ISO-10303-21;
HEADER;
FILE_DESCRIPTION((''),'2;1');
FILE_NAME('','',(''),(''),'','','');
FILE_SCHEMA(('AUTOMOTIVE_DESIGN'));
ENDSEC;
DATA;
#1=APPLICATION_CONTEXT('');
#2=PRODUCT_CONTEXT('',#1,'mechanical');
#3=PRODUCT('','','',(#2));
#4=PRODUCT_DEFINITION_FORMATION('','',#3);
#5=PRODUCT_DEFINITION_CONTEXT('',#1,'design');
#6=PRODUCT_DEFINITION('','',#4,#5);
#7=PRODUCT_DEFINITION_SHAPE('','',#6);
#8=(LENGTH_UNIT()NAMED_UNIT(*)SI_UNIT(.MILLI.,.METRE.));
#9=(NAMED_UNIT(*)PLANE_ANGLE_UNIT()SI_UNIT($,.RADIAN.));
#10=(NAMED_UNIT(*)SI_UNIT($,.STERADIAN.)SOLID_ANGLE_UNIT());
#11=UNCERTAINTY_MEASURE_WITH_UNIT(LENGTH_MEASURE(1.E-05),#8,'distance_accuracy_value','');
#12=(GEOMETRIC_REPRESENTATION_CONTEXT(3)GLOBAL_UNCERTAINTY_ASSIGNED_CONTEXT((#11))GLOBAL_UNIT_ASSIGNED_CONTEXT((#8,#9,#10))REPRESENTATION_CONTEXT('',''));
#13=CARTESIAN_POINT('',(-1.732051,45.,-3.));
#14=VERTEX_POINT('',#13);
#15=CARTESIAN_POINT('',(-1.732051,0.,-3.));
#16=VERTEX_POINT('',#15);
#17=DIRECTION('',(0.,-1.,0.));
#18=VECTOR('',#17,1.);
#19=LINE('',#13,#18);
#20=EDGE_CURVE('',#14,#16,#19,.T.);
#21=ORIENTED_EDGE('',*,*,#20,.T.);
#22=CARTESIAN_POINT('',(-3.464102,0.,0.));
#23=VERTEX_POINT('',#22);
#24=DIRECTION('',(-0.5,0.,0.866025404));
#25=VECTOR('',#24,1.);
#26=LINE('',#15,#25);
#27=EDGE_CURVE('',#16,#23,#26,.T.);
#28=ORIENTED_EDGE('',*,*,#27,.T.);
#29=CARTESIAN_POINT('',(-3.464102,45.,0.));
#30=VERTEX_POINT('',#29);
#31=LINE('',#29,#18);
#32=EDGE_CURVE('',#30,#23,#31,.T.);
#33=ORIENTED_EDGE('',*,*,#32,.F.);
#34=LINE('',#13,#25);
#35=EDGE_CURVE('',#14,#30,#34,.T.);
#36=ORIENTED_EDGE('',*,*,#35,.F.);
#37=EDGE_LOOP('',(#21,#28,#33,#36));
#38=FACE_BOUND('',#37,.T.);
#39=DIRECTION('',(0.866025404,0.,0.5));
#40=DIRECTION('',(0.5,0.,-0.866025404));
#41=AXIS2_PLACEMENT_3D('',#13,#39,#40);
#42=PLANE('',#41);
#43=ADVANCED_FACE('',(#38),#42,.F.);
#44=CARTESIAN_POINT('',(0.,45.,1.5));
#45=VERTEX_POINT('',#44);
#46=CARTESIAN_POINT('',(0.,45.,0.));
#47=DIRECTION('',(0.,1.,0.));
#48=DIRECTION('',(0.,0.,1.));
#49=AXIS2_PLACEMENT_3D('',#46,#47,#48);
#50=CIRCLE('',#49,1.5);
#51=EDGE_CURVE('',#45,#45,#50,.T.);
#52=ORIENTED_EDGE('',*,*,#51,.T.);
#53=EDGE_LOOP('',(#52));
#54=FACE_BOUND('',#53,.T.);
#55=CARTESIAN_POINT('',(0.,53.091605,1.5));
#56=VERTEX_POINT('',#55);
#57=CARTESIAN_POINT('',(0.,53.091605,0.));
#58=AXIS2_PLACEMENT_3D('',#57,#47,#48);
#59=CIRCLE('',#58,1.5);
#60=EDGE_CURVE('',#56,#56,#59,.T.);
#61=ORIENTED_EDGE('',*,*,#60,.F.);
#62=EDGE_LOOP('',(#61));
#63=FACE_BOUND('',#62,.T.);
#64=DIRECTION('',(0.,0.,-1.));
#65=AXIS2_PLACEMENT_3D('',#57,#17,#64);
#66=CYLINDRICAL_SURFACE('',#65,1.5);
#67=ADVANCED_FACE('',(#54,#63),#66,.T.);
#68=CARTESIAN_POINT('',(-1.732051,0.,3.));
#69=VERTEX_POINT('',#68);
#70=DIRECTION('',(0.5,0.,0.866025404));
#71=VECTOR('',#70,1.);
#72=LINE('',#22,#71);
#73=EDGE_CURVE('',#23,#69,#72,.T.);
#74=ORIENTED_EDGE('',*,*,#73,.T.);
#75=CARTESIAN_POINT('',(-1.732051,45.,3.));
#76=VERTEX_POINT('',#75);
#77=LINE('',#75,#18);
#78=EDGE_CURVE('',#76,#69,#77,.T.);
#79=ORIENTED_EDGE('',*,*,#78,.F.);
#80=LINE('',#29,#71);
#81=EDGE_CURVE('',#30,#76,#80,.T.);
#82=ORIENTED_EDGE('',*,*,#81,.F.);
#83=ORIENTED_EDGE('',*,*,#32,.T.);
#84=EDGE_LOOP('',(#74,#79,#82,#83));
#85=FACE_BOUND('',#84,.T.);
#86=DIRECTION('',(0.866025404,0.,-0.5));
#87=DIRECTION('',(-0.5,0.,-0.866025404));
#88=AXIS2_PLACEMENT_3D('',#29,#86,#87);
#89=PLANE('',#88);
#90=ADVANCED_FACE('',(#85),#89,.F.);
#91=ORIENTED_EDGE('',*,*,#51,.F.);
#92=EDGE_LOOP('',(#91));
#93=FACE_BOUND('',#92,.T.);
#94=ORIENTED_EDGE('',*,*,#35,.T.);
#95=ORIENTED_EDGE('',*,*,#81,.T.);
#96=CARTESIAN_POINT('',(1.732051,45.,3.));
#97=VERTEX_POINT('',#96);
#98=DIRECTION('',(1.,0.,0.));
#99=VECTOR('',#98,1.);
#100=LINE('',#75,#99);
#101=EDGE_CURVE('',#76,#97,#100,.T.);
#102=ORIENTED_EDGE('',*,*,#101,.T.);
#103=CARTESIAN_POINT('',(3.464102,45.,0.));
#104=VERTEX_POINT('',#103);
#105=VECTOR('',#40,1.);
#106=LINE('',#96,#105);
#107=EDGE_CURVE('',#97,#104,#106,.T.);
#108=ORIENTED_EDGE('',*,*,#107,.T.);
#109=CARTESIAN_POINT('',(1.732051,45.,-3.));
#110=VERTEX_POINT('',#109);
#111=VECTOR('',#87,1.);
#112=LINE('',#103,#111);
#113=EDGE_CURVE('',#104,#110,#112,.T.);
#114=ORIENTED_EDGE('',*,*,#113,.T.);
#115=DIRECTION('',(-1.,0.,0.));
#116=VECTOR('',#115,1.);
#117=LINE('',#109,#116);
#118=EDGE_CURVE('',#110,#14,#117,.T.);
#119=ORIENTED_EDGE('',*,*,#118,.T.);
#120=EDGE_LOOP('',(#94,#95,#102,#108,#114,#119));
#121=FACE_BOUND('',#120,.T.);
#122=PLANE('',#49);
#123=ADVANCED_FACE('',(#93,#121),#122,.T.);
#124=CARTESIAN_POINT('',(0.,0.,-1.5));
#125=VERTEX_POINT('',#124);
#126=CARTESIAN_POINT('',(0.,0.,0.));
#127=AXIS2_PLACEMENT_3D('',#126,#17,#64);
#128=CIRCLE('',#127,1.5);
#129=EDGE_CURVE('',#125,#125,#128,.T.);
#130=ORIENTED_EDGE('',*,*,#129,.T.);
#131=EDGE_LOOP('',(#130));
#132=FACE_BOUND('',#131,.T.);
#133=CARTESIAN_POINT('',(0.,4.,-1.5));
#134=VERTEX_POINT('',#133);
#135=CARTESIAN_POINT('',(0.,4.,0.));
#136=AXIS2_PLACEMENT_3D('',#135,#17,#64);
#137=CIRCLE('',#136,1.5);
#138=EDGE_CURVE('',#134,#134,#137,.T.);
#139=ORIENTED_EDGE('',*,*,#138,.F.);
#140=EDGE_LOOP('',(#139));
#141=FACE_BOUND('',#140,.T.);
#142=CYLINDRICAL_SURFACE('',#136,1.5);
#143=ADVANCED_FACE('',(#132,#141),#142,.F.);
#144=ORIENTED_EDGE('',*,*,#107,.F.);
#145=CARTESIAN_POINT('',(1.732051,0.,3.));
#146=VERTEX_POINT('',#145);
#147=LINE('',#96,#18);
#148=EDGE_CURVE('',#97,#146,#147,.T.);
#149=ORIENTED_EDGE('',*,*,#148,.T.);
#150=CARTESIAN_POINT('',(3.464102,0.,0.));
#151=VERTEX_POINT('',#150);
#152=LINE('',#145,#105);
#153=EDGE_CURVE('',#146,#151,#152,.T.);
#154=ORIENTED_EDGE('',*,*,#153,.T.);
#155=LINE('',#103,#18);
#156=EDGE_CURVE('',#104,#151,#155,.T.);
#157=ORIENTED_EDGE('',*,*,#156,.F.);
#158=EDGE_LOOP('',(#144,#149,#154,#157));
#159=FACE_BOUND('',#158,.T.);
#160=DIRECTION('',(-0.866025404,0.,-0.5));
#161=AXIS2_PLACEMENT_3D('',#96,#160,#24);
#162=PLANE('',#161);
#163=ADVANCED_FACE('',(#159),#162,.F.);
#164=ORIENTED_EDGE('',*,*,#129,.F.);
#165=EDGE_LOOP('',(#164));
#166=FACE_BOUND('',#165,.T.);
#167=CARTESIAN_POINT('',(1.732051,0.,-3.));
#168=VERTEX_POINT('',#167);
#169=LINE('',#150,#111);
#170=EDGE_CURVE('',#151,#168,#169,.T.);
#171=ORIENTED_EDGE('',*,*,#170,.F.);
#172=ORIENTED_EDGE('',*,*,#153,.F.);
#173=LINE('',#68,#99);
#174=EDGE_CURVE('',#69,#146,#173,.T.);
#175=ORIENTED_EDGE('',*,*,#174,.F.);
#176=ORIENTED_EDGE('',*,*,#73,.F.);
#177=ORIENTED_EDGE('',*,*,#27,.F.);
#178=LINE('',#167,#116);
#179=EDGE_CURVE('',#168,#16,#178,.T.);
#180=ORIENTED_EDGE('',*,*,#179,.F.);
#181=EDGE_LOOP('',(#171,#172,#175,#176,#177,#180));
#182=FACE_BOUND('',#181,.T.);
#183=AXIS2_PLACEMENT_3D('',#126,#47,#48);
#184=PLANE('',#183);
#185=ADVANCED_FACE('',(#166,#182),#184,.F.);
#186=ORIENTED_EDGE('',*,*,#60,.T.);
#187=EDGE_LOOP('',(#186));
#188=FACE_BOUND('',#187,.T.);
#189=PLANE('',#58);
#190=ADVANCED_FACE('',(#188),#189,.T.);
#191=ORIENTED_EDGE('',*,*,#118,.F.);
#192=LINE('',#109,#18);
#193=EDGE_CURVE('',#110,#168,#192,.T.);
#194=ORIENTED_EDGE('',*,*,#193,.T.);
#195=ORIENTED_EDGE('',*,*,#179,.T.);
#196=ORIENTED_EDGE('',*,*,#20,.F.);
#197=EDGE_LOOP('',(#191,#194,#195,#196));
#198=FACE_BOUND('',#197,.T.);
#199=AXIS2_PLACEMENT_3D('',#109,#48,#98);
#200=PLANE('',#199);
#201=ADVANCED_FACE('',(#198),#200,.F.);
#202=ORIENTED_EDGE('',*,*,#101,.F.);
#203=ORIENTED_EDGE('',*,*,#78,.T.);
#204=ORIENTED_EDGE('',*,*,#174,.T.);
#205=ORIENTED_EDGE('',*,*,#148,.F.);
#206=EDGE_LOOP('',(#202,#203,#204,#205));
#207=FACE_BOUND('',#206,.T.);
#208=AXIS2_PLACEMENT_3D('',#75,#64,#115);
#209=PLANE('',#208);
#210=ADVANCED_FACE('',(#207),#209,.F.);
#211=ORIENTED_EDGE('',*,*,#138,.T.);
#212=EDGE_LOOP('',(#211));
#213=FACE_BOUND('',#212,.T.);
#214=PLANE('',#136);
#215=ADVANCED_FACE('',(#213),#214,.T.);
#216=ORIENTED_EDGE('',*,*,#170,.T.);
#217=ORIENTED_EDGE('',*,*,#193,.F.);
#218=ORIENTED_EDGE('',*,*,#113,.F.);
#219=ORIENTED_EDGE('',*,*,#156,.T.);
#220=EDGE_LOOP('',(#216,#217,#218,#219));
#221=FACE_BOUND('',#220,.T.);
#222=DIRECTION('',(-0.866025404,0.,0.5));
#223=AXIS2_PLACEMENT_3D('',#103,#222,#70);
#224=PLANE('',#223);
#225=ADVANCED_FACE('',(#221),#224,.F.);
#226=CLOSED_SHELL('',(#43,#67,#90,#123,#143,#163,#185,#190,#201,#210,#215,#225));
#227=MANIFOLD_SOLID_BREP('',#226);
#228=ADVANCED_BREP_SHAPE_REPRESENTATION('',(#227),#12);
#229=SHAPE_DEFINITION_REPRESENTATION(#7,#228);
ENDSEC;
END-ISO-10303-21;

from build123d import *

# Parameters (mm, degrees)
BOSS_EXTRUDE1_DEPTH = 45
SKETCH5_R           = 1.5
BOSS_EXTRUDE2_DEPTH = 8.091605471
SKETCH6_R           = 1.5
CUT_EXTRUDE1_DEPTH  = 4


with BuildPart() as part:
    # Sketch3 → Boss-Extrude1 (new body)
    with BuildSketch(Plane(origin=(0, 0, 0), x_dir=(1, 0, 0), z_dir=(0, 1, 0))):
        Polygon((-3.464101615, 0), (-1.732050808, -3), (1.732050808, -3), (3.464101615, 0), (1.732050808, 3), (-1.732050808, 3), align=None)
    extrude(amount=BOSS_EXTRUDE1_DEPTH)

    # Sketch5 → Boss-Extrude2 (add)
    with BuildSketch(Plane(origin=(0, 45, 0), x_dir=(1, 0, 0), z_dir=(0, 1, 0))):
        with Locations(Location((0, 0, 0), (0, 0, 270))):
            Circle(SKETCH5_R)
    extrude(amount=BOSS_EXTRUDE2_DEPTH)

    # Sketch6 → Cut-Extrude1 (cut)
    with BuildSketch(Plane.XZ):
        with Locations(Location((0, 0, 0), (0, 0, 90))):
            Circle(SKETCH6_R)
    extrude(amount=-CUT_EXTRUDE1_DEPTH, mode=Mode.SUBTRACT)


solid = part.part
